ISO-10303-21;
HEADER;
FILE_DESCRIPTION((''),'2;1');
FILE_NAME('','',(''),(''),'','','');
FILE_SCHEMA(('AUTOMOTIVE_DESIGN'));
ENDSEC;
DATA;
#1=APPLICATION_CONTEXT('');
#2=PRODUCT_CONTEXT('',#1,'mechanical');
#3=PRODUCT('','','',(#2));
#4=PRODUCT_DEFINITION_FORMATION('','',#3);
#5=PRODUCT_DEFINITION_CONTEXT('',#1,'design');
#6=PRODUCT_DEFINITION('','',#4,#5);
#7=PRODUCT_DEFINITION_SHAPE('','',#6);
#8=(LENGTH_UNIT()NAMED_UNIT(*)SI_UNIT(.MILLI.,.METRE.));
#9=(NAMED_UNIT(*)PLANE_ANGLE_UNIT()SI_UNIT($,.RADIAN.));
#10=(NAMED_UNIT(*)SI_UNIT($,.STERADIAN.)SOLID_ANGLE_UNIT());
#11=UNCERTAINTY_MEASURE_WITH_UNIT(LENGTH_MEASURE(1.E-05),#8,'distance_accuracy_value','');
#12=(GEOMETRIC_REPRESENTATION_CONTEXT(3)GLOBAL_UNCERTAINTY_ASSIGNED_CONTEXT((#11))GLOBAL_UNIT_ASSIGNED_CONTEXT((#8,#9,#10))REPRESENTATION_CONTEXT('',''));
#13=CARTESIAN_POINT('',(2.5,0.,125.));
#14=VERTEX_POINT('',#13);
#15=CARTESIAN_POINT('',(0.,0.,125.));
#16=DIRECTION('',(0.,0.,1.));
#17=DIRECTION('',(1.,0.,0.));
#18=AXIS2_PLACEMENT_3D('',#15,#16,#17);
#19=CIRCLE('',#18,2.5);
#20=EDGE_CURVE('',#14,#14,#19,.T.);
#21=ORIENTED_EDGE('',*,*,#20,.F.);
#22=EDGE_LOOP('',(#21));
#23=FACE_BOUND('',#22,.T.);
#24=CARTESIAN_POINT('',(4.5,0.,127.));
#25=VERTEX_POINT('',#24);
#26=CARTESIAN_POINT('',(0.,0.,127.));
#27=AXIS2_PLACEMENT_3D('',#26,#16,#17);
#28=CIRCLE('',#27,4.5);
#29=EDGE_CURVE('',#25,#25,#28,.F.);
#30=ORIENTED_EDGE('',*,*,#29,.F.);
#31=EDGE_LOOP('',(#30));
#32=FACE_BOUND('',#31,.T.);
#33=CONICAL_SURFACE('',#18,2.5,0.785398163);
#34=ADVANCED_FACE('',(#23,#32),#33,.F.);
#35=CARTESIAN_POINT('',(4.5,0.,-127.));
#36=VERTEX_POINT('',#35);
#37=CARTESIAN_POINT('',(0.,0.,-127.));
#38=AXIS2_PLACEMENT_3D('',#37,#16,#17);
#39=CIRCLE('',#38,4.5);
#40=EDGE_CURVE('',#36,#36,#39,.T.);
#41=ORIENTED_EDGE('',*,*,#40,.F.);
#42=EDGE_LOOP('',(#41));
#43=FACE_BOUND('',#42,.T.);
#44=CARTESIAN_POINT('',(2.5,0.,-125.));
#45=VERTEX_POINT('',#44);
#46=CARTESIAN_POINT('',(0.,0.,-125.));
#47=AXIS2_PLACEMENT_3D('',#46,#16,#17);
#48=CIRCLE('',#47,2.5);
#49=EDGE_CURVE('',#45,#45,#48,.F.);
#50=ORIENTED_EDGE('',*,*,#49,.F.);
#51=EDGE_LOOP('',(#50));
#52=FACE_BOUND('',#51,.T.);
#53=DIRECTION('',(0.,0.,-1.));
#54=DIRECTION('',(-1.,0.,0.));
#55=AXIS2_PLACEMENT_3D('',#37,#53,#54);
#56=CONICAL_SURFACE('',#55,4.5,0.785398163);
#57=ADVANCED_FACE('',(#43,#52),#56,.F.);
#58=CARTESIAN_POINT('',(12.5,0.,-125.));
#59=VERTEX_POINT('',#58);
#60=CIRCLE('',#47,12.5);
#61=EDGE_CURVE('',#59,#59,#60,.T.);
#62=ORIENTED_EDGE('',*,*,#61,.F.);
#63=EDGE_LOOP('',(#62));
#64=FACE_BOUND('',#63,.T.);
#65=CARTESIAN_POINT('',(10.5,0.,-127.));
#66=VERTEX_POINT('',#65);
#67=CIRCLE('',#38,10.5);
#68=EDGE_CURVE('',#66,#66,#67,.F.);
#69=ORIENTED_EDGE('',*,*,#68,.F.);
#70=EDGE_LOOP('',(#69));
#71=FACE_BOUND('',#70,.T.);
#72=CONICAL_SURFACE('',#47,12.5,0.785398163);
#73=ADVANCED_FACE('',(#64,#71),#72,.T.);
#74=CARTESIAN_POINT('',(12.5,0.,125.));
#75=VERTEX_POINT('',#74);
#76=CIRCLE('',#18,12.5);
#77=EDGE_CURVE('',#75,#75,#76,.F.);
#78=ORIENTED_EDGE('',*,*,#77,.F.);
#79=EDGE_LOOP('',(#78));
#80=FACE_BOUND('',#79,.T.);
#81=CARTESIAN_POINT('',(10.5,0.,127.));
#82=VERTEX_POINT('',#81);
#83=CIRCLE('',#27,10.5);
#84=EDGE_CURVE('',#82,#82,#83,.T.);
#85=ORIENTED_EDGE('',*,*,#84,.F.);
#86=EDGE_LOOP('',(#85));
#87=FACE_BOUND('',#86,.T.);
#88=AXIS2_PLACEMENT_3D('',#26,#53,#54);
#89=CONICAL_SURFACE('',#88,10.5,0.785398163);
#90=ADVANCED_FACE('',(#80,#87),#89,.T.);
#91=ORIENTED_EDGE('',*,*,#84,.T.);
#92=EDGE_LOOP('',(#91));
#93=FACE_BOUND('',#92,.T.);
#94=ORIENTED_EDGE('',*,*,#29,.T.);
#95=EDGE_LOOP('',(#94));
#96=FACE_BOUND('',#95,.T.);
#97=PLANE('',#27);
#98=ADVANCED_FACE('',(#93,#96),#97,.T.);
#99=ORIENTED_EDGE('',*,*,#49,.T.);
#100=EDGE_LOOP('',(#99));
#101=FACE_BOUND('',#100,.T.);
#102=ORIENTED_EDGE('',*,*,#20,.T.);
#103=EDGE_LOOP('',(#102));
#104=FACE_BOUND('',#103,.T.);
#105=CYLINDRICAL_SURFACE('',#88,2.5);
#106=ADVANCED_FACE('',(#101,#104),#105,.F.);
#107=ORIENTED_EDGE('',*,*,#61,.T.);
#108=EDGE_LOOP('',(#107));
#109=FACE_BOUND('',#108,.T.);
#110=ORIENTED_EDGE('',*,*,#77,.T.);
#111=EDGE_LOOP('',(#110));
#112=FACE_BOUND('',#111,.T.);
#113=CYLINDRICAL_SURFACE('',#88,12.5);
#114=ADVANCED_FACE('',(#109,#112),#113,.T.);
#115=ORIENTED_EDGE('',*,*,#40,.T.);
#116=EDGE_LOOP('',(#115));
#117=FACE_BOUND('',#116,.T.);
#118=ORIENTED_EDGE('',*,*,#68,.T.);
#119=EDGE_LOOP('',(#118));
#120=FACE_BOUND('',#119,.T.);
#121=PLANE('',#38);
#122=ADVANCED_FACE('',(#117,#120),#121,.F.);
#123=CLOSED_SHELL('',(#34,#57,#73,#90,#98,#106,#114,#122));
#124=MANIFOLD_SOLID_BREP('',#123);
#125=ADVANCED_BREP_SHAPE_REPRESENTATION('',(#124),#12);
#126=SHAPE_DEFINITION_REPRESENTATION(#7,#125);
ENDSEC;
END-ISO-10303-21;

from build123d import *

# Parameters (mm, degrees)
SKETCH1_R           = 12.5
SKETCH1_R_2         = 2.5
BOSS_EXTRUDE1_DEPTH = 127
CHAMFER1_SIZE       = 2


with BuildPart() as part:
    # Sketch1 → Boss-Extrude1 (new, symmetric)
    with BuildSketch(Plane.XY):
        Circle(SKETCH1_R)
        Circle(SKETCH1_R_2, mode=Mode.SUBTRACT)
    extrude(amount=BOSS_EXTRUDE1_DEPTH, both=True)

    # Chamfer1
    chamfer1_edges = [part.edges().sort_by_distance(p)[0] for p in [
        (-12.5, 0, -127),
        (-12.5, 0, 127),
        (-2.5, 0, -127),
        (-2.5, 0, 127),
    ]]
    chamfer(chamfer1_edges, length=CHAMFER1_SIZE)


solid = part.part
